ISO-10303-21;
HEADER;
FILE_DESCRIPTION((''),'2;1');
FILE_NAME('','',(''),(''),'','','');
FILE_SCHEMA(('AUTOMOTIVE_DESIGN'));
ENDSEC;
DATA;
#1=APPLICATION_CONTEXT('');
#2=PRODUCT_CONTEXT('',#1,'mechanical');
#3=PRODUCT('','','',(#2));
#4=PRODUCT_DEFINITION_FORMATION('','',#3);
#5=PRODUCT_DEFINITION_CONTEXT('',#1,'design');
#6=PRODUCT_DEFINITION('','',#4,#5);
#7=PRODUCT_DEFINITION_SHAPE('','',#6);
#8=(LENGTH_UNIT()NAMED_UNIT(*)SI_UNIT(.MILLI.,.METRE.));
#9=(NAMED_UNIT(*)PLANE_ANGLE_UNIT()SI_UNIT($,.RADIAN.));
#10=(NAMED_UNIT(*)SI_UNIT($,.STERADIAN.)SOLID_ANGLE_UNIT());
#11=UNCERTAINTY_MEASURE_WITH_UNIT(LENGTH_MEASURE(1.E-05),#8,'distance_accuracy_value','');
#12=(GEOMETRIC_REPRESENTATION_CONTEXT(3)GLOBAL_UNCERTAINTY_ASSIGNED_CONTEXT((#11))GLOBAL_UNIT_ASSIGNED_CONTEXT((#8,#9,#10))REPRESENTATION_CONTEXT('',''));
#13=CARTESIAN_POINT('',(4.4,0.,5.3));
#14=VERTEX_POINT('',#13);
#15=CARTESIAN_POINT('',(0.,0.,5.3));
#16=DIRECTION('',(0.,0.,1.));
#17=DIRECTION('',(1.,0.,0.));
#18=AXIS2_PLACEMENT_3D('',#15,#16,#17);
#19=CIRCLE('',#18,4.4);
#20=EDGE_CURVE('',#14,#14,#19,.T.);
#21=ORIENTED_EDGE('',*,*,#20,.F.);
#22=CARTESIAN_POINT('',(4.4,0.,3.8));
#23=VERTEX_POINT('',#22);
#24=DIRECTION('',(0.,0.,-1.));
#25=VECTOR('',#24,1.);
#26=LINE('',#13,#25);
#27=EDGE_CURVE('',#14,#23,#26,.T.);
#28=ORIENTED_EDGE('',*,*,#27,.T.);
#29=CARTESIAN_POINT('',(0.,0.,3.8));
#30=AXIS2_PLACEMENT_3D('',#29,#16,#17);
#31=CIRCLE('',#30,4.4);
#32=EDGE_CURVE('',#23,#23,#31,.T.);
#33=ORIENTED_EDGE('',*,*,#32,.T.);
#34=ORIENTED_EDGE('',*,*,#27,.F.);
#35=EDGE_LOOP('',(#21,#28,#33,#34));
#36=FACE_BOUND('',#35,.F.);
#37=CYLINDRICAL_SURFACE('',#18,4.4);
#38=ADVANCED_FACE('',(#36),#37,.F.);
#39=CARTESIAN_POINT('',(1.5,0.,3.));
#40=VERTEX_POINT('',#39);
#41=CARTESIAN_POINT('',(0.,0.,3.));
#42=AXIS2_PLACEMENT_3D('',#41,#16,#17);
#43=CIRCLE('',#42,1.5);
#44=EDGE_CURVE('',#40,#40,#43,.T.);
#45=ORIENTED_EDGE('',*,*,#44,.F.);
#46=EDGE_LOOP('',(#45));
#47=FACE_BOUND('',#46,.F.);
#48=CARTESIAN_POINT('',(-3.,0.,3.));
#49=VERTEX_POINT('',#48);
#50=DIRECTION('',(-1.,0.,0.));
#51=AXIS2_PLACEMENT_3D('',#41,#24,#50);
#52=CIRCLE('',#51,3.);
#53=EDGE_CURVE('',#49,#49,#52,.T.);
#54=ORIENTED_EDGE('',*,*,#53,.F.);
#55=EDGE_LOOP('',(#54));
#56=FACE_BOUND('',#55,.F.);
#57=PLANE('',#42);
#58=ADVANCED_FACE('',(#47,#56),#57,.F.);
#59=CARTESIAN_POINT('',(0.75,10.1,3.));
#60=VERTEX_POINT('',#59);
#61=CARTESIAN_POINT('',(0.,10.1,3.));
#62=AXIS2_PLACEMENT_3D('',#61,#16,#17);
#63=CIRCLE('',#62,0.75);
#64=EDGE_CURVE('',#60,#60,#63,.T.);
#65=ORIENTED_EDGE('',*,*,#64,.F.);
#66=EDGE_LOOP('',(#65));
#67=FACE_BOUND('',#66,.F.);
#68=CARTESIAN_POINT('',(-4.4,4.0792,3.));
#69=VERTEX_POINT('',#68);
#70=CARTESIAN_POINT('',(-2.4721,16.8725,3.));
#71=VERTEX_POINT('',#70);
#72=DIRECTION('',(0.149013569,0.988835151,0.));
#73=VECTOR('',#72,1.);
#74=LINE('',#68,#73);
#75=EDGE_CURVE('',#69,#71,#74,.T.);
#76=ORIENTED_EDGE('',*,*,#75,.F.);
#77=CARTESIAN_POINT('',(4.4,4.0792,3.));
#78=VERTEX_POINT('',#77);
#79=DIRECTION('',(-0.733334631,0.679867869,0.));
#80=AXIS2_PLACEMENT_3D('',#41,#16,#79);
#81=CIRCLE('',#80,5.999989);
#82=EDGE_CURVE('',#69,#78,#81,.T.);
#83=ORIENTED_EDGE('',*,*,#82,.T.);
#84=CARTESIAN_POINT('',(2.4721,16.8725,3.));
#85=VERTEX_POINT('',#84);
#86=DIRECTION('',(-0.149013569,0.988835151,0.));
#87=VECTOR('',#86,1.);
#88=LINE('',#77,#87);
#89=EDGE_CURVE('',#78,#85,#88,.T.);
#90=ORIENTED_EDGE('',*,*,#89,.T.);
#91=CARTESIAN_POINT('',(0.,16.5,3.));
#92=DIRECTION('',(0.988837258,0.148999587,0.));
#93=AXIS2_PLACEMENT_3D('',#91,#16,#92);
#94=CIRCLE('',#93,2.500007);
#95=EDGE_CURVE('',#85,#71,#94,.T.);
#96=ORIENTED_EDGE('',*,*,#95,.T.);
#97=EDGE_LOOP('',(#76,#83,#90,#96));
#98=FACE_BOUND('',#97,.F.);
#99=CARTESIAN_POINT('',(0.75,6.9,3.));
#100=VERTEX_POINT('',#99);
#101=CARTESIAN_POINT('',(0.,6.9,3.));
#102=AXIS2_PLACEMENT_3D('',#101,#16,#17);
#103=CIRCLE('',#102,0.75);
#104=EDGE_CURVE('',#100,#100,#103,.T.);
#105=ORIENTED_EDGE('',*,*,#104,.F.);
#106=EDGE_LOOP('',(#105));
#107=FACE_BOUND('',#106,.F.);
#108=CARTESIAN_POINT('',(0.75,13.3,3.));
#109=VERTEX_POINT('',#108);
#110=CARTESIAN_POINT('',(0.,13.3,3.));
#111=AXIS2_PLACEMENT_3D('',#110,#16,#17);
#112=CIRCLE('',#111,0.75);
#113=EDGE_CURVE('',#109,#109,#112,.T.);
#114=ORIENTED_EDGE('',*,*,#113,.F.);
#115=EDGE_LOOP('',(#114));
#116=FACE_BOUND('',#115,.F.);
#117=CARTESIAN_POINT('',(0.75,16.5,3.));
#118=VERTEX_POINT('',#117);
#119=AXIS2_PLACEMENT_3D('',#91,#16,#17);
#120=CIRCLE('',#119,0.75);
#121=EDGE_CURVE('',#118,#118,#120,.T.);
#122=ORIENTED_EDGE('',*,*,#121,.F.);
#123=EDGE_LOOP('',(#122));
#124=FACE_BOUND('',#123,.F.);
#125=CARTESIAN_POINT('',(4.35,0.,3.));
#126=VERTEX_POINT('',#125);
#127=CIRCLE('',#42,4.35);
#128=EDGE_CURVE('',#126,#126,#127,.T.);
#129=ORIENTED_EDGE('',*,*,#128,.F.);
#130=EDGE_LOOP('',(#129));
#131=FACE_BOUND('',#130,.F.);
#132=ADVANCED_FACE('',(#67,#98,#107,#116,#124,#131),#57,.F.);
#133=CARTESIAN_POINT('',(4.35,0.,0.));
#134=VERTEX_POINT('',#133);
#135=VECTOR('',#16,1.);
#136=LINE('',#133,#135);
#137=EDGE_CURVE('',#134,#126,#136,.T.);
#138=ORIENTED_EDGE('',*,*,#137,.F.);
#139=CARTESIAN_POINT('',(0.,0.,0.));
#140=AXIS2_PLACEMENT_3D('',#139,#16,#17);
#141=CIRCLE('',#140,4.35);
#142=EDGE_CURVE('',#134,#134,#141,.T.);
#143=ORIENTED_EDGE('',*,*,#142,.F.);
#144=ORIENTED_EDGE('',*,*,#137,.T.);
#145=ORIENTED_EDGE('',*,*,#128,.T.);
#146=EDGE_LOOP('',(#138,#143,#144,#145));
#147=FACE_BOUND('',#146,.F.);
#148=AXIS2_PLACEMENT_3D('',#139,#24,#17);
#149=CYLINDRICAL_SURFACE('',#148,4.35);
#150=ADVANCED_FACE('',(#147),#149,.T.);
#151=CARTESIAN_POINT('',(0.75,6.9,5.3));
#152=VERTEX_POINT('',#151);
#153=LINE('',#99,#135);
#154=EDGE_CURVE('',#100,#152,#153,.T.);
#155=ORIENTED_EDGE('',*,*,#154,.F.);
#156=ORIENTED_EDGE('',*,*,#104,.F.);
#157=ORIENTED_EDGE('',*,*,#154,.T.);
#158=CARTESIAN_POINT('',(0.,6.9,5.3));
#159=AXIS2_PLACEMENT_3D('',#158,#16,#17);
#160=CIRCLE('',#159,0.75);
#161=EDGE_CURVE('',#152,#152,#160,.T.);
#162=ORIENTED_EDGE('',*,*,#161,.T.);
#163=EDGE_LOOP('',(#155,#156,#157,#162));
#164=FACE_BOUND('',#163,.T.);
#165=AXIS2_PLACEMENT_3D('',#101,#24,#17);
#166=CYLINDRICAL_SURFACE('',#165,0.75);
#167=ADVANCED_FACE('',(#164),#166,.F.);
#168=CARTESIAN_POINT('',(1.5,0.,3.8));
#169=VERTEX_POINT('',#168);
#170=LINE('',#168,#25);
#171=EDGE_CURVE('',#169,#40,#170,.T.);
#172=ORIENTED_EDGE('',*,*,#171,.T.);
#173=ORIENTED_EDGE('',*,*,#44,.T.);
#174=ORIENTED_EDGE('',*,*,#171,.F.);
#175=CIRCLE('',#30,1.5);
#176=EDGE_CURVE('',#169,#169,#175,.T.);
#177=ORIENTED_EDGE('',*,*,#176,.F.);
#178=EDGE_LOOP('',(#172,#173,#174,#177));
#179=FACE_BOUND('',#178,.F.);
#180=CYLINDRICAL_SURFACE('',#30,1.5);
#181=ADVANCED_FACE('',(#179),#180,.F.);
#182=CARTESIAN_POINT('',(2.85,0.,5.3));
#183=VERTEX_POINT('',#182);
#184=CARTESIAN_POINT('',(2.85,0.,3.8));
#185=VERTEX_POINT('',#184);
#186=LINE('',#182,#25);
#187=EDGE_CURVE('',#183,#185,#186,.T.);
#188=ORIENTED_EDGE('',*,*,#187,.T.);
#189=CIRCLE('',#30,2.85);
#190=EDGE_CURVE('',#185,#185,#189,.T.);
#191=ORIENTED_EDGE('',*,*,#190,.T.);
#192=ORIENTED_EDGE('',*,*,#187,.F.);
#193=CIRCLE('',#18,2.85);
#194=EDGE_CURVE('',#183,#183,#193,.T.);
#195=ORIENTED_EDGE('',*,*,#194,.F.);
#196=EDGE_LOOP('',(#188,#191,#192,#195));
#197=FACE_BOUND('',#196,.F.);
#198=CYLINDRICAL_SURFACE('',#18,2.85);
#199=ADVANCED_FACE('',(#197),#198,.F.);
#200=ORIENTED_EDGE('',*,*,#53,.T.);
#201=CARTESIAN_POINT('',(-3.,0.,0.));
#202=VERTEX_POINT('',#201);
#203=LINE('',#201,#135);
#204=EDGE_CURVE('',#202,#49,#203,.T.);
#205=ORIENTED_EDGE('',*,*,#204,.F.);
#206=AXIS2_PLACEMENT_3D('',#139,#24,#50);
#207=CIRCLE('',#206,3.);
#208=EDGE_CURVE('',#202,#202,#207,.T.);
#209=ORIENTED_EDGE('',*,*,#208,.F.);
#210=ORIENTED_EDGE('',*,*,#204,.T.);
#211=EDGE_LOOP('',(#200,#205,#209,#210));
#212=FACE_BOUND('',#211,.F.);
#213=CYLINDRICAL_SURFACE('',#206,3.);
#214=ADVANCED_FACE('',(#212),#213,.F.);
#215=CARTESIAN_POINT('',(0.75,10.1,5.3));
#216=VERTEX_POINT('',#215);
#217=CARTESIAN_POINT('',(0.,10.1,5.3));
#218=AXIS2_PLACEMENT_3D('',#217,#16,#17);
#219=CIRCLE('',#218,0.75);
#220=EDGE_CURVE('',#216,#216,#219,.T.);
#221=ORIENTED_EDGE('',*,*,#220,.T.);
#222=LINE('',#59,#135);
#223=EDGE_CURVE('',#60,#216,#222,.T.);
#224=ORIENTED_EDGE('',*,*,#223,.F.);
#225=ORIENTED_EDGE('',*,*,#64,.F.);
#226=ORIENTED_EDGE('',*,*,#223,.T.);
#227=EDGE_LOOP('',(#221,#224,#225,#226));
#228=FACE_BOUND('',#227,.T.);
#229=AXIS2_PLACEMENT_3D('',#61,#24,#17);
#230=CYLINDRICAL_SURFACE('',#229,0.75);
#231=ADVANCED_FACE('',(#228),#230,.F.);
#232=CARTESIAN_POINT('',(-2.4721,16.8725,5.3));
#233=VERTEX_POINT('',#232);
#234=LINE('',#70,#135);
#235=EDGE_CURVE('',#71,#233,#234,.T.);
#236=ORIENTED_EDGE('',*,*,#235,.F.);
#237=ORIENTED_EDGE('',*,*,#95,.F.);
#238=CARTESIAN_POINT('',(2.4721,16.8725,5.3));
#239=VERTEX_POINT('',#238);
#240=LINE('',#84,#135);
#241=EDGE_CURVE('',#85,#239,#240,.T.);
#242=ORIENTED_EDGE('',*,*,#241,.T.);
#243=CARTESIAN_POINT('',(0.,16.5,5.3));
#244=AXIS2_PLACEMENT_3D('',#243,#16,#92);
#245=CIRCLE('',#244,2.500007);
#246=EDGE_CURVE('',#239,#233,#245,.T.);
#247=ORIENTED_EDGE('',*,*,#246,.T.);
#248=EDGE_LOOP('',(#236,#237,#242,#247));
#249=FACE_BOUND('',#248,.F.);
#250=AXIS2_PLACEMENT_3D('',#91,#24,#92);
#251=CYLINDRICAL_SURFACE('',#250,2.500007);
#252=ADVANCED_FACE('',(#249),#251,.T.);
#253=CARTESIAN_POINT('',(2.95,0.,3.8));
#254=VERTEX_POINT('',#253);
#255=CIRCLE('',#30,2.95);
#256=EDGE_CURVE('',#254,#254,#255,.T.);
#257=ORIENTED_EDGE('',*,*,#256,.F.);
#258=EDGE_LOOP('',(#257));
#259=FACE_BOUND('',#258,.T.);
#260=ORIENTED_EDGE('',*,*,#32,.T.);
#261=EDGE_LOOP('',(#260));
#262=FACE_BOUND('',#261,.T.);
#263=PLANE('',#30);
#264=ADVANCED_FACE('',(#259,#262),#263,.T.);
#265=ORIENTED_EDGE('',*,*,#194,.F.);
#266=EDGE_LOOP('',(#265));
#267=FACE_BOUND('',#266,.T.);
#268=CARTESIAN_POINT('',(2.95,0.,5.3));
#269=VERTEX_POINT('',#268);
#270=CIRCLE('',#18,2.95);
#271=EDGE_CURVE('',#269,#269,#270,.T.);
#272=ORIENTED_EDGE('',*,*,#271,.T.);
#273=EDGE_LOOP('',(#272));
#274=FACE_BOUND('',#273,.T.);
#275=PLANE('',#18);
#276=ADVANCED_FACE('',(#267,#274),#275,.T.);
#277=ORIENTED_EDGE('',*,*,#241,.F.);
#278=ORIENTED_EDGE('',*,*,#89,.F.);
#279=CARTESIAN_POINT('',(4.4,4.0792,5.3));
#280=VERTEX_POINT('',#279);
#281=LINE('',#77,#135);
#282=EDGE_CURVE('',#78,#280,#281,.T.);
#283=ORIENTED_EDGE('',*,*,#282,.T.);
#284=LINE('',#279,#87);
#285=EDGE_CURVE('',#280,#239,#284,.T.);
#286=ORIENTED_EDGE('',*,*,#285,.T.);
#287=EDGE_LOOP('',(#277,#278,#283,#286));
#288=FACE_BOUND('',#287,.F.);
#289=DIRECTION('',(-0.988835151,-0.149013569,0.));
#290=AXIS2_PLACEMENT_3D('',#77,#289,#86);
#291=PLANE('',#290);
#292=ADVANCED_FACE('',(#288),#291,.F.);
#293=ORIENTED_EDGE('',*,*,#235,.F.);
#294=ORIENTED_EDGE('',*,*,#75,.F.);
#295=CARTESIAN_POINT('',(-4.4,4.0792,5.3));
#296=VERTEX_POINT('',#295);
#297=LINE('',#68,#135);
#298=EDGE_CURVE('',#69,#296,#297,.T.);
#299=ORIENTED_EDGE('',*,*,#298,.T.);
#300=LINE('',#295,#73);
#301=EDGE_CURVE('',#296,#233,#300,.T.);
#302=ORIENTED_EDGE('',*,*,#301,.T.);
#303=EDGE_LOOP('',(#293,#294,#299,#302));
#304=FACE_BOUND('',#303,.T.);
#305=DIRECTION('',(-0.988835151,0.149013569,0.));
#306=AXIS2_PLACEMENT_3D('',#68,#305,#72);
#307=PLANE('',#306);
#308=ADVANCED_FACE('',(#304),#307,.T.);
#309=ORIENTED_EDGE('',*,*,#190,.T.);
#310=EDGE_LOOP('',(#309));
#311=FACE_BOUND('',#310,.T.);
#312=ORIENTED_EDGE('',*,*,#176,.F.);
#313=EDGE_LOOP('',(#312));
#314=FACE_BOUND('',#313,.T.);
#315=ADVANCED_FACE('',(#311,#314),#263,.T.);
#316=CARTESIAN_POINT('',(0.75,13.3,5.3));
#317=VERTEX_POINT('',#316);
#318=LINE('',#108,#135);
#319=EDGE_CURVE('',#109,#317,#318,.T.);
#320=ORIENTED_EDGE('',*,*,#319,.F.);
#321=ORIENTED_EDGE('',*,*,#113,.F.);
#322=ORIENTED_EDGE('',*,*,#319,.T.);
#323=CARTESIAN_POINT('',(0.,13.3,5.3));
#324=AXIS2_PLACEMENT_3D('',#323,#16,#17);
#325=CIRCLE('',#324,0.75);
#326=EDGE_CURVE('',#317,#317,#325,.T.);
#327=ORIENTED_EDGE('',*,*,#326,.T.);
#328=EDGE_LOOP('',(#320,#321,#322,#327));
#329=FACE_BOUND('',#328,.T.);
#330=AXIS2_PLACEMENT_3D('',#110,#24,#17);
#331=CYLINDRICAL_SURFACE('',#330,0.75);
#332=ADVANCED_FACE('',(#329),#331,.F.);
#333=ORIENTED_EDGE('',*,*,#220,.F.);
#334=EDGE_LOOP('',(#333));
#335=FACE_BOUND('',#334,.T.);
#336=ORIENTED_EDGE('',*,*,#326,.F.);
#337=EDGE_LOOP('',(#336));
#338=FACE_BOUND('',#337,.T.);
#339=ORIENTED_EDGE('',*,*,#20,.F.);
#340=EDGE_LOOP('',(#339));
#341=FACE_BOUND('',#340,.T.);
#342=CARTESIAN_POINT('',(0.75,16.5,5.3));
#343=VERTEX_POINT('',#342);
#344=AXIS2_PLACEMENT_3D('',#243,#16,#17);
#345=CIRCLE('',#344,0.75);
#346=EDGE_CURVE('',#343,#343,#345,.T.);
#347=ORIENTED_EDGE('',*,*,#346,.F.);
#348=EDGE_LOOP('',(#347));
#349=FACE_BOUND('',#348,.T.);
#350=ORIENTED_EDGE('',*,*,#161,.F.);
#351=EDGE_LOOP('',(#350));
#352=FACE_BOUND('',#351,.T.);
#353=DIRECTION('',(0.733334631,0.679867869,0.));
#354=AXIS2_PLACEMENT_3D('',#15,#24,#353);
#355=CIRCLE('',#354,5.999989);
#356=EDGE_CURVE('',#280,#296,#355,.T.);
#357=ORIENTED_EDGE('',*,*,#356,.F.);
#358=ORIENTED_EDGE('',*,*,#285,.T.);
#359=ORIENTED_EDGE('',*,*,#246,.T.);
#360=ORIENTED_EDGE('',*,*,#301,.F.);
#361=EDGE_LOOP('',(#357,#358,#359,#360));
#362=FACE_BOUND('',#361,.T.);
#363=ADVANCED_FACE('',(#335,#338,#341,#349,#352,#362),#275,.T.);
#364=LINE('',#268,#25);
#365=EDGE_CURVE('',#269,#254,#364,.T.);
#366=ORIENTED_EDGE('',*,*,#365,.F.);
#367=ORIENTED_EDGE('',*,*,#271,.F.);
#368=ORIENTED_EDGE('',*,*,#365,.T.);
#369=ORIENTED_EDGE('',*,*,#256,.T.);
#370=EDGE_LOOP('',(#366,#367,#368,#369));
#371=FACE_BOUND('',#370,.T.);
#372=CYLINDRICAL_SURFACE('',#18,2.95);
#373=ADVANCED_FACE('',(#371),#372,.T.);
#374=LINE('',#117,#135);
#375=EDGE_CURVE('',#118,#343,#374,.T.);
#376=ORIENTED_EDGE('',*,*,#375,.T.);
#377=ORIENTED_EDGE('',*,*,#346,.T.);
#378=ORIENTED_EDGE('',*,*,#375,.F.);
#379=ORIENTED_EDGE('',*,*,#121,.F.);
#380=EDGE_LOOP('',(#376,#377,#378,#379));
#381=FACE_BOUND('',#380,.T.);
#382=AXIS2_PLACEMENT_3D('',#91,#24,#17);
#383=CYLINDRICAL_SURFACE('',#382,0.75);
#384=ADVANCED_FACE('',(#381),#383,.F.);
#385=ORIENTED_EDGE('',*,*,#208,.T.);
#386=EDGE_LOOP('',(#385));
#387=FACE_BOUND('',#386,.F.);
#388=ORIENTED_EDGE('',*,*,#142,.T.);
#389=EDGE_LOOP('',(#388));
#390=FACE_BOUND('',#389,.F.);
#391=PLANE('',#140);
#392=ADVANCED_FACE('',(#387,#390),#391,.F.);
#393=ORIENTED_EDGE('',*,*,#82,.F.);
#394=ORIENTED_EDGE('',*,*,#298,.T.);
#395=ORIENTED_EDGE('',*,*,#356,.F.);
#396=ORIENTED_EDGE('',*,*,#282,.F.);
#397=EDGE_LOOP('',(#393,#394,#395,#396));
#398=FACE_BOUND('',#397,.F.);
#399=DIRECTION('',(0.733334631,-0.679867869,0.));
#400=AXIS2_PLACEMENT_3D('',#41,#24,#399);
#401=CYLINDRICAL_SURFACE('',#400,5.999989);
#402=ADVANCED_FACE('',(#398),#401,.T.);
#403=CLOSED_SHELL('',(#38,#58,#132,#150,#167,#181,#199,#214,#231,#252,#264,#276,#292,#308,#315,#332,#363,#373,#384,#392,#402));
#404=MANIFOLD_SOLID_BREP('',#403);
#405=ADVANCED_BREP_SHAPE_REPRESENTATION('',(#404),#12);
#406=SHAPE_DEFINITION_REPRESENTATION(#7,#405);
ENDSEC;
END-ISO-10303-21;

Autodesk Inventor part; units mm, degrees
ref_plane "YZ Plane" through (0, 0, 0) normal (1, 0, 0) x (0, 1, 0)
ref_plane "XZ Plane" through (0, 0, 0) normal (0, 1, 0) x (-1, 0, 0)
ref_plane "XY Plane" through (0, 0, 0) normal (0, 0, 1) x (1, 0, 0)
sketch "Sketch1" plane through (0, 0, 0) normal (0, 0, 1) x (1, 0, 0)
  circle A0 centre (0, 0) radius 4.35
  dimension "d0" = 8.7
extrude "Extrusion1" add sketch "Sketch1" along normal blind 3
sketch "Sketch2" plane through (0, 0, 0) normal (0, 0, -1) x (-1, 0, 0)
  circle A0 centre (0, 0) radius 3
  dimension "d3" = 6
extrude "Extrusion2" cut sketch "Sketch2" against normal up to next
sketch "Sketch3" plane through (0, 0, 3) normal (0, 0, 1) x (1, 0, 0)
  arc A0 (2.4721, 16.8725) -> (-2.4721, 16.8725) centre (0, 16.5) ccw
  line L0 (-4.4, 4.0792) -> (-2.4721, 16.8725)
  line L1 (4.4, 4.0792) -> (2.4721, 16.8725)
  circle A1 centre (0, 16.5) radius 0.75
  circle A2 centre (0, 13.3) radius 0.75
  circle A3 centre (0, 10.1) radius 0.75
  circle A4 centre (0, 6.9) radius 0.75
  arc A5 (-4.4, 4.0792) -> (-4.4, -4.0792) centre (0, 0) ccw
  arc A6 (4.4, -4.0792) -> (4.4, 4.0792) centre (0, 0) ccw
  arc A7 (-4.4, -4.0792) -> (4.4, -4.0792) centre (0, 0) ccw
  dimension "d8" = 8.8
  dimension "d10" = 1.5
  dimension "d13" = 1.5
  dimension "d14" = 1.5
  dimension "d15" = 1.5
extrude "Extrusion3" add sketch "Sketch3" along normal blind 2.3
sketch "Sketch4" plane through (0, 0, 5.3) normal (0, 0, 1) x (1, 0, 0)
  circle A0 centre (0, 0) radius 2.85
  circle A1 centre (0, 0) radius 4.4
  circle A2 centre (0, 0) radius 2.95
  dimension "d22" = 5.7
  dimension "d23" = 8.8
  dimension "d24" = 5.9
extrude "Extrusion4" cut sketch "Sketch4" against normal blind 1.5
sketch "Sketch5" plane through (0, 0, 3.8) normal (0, 0, 1) x (1, 0, 0)
  circle A0 centre (0, 0) radius 1.5
  dimension "d27" = 3
extrude "Extrusion5" cut sketch "Sketch5" against normal up to next
properties part number "Servomotor-1"
